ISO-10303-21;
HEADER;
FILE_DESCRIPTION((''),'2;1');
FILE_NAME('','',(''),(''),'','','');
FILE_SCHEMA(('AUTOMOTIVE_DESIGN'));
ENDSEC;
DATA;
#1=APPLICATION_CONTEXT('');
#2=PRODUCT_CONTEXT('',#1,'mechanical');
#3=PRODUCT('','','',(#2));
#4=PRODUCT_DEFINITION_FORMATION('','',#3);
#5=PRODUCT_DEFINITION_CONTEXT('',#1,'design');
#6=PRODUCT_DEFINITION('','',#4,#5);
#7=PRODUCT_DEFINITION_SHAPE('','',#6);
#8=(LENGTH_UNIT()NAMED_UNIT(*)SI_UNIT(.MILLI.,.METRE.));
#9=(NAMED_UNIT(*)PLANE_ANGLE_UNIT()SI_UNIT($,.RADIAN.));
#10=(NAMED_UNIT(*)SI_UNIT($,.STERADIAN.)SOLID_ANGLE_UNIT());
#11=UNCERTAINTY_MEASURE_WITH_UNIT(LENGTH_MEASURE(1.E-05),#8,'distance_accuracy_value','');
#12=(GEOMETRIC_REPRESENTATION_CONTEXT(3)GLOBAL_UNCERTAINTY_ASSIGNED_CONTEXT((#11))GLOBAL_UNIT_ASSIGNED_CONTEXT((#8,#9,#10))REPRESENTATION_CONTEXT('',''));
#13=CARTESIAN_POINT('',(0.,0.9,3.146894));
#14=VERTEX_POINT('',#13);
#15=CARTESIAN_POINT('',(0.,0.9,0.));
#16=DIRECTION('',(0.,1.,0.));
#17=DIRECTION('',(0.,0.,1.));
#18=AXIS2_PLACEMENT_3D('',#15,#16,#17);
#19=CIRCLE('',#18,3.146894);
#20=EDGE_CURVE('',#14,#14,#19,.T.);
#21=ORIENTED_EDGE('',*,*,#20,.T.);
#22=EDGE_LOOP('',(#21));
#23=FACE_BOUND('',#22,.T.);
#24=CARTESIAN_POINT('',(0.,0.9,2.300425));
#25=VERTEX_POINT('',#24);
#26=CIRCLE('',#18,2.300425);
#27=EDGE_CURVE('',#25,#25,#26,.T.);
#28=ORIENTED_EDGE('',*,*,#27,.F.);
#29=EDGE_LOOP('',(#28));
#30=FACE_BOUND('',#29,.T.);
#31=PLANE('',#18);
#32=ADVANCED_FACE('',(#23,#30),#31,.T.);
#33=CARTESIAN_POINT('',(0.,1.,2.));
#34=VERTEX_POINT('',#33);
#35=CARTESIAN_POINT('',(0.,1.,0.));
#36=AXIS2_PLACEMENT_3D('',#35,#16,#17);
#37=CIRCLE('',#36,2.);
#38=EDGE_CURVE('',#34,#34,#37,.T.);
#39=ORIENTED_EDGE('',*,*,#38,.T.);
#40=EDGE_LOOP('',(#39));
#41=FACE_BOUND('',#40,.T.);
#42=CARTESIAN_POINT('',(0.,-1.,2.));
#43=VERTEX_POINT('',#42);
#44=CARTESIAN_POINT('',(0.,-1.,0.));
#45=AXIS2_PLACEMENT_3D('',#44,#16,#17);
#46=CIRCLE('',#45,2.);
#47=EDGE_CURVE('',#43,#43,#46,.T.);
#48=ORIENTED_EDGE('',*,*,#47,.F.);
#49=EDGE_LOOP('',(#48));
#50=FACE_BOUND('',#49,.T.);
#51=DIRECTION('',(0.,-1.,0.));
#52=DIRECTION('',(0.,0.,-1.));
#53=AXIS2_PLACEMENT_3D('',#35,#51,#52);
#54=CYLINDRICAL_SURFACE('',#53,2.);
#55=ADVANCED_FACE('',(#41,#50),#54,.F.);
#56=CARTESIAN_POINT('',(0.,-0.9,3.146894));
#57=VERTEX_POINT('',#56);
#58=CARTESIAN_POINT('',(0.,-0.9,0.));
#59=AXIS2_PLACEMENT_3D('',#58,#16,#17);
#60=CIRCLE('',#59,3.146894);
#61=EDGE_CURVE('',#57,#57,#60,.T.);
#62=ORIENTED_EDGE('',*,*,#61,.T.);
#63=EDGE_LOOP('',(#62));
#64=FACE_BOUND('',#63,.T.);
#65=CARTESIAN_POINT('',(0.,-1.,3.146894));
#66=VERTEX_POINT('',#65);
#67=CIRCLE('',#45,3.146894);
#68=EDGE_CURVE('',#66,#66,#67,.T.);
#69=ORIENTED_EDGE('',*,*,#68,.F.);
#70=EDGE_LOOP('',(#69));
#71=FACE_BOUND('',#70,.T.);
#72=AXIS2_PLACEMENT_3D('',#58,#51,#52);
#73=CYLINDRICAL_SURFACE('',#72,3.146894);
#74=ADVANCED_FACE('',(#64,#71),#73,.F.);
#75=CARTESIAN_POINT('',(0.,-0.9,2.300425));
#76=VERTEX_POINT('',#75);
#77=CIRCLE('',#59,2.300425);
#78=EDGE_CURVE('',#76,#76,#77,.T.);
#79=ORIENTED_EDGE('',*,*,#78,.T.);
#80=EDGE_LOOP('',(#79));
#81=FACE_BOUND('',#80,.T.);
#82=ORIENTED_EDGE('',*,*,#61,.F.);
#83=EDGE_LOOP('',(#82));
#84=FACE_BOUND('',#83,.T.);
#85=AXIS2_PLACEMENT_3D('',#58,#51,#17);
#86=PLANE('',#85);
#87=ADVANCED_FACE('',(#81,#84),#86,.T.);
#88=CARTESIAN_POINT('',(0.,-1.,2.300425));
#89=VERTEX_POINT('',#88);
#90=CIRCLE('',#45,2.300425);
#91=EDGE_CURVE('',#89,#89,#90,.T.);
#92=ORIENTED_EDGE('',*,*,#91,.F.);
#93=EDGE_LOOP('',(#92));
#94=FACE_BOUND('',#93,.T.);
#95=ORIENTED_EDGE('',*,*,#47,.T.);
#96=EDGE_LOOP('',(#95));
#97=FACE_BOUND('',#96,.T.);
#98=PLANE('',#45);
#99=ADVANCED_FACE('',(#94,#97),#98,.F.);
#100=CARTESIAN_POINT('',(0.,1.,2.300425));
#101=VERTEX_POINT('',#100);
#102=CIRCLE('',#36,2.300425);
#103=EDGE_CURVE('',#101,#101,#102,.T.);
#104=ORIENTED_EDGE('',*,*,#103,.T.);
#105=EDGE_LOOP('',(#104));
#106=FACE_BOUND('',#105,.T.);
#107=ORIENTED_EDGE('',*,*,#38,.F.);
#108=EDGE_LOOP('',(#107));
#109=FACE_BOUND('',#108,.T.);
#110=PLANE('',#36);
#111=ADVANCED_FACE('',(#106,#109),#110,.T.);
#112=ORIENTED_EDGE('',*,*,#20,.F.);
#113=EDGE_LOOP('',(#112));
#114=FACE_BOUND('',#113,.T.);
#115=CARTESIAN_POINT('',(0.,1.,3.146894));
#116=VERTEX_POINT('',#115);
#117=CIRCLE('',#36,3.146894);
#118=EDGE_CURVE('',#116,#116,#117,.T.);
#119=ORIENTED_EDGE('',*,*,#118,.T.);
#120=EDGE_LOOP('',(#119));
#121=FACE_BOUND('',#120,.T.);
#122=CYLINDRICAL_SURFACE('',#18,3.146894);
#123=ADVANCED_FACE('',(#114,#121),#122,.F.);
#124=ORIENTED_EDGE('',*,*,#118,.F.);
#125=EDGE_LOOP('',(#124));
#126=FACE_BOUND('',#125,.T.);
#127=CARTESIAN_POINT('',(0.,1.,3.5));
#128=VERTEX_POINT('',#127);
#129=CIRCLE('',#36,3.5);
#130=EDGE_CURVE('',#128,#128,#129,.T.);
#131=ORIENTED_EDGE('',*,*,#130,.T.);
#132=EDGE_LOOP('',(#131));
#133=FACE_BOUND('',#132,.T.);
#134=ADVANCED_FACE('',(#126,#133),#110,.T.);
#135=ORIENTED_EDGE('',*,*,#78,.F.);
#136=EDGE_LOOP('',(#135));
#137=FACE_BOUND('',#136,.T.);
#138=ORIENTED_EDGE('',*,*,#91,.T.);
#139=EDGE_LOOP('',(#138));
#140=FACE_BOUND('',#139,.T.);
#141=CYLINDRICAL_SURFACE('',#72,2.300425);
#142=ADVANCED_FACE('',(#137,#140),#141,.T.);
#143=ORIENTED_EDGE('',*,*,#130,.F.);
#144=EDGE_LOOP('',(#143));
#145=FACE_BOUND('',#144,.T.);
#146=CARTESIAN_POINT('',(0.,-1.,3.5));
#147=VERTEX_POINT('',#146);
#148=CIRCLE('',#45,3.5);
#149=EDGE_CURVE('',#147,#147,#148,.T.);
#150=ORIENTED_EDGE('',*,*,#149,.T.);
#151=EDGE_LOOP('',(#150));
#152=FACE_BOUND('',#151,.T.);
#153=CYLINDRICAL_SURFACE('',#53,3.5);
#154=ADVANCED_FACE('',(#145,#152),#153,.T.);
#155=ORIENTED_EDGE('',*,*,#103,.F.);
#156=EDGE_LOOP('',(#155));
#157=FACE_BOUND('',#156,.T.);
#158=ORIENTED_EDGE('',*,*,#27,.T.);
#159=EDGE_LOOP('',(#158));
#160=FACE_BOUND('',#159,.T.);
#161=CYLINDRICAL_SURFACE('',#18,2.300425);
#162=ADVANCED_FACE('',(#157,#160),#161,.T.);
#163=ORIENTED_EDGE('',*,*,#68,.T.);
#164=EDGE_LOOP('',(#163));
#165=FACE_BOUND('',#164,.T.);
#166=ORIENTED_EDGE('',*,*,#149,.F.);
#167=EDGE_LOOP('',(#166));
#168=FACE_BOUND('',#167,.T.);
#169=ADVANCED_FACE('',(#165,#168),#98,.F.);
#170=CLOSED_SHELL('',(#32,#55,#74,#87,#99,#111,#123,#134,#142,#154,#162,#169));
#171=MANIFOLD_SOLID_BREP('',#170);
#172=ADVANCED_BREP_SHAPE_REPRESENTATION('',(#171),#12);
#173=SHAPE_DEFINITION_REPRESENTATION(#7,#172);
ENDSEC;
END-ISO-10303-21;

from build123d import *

# Parameters (mm, degrees)
SKETCH_1_R          = 3.5
SKETCH_1_R_2        = 2
EXTRUDE_1_DEPTH     = 1
SKETCH_2_R          = 3.146894392
SKETCH_2_R_2        = 2.300425052
CUT_EXTRUDE_1_DEPTH = 0.1


with BuildPart() as part:
    # 草图1 → 凸台-拉伸1 (new, symmetric)
    with BuildSketch(Plane(origin=(0, 0, 0), x_dir=(1, 0, 0), z_dir=(0, 1, 0))):
        with Locations(Location((0, 0, 0), (0, 0, 270))):
            Circle(SKETCH_1_R)
        with Locations(Location((0, 0, 0), (0, 0, 270))):
            Circle(SKETCH_1_R_2, mode=Mode.SUBTRACT)
    extrude(amount=EXTRUDE_1_DEPTH, both=True)

    # 草图2 → 切除-拉伸1 (cut)
    with BuildSketch(Plane(origin=(0, 1, 0), x_dir=(1, 0, 0), z_dir=(0, 1, 0))):
        with Locations(Location((0, 0, 0), (0, 0, 270))):
            Circle(SKETCH_2_R)
        with Locations(Location((0, 0, 0), (0, 0, 270))):
            Circle(SKETCH_2_R_2, mode=Mode.SUBTRACT)
    cut_extrude_1 = extrude(amount=-CUT_EXTRUDE_1_DEPTH, mode=Mode.SUBTRACT)

    # 镜向1: 切除-拉伸1 across plane
    add(cut_extrude_1.mirror(Plane.ZX), mode=Mode.SUBTRACT)


solid = part.part
